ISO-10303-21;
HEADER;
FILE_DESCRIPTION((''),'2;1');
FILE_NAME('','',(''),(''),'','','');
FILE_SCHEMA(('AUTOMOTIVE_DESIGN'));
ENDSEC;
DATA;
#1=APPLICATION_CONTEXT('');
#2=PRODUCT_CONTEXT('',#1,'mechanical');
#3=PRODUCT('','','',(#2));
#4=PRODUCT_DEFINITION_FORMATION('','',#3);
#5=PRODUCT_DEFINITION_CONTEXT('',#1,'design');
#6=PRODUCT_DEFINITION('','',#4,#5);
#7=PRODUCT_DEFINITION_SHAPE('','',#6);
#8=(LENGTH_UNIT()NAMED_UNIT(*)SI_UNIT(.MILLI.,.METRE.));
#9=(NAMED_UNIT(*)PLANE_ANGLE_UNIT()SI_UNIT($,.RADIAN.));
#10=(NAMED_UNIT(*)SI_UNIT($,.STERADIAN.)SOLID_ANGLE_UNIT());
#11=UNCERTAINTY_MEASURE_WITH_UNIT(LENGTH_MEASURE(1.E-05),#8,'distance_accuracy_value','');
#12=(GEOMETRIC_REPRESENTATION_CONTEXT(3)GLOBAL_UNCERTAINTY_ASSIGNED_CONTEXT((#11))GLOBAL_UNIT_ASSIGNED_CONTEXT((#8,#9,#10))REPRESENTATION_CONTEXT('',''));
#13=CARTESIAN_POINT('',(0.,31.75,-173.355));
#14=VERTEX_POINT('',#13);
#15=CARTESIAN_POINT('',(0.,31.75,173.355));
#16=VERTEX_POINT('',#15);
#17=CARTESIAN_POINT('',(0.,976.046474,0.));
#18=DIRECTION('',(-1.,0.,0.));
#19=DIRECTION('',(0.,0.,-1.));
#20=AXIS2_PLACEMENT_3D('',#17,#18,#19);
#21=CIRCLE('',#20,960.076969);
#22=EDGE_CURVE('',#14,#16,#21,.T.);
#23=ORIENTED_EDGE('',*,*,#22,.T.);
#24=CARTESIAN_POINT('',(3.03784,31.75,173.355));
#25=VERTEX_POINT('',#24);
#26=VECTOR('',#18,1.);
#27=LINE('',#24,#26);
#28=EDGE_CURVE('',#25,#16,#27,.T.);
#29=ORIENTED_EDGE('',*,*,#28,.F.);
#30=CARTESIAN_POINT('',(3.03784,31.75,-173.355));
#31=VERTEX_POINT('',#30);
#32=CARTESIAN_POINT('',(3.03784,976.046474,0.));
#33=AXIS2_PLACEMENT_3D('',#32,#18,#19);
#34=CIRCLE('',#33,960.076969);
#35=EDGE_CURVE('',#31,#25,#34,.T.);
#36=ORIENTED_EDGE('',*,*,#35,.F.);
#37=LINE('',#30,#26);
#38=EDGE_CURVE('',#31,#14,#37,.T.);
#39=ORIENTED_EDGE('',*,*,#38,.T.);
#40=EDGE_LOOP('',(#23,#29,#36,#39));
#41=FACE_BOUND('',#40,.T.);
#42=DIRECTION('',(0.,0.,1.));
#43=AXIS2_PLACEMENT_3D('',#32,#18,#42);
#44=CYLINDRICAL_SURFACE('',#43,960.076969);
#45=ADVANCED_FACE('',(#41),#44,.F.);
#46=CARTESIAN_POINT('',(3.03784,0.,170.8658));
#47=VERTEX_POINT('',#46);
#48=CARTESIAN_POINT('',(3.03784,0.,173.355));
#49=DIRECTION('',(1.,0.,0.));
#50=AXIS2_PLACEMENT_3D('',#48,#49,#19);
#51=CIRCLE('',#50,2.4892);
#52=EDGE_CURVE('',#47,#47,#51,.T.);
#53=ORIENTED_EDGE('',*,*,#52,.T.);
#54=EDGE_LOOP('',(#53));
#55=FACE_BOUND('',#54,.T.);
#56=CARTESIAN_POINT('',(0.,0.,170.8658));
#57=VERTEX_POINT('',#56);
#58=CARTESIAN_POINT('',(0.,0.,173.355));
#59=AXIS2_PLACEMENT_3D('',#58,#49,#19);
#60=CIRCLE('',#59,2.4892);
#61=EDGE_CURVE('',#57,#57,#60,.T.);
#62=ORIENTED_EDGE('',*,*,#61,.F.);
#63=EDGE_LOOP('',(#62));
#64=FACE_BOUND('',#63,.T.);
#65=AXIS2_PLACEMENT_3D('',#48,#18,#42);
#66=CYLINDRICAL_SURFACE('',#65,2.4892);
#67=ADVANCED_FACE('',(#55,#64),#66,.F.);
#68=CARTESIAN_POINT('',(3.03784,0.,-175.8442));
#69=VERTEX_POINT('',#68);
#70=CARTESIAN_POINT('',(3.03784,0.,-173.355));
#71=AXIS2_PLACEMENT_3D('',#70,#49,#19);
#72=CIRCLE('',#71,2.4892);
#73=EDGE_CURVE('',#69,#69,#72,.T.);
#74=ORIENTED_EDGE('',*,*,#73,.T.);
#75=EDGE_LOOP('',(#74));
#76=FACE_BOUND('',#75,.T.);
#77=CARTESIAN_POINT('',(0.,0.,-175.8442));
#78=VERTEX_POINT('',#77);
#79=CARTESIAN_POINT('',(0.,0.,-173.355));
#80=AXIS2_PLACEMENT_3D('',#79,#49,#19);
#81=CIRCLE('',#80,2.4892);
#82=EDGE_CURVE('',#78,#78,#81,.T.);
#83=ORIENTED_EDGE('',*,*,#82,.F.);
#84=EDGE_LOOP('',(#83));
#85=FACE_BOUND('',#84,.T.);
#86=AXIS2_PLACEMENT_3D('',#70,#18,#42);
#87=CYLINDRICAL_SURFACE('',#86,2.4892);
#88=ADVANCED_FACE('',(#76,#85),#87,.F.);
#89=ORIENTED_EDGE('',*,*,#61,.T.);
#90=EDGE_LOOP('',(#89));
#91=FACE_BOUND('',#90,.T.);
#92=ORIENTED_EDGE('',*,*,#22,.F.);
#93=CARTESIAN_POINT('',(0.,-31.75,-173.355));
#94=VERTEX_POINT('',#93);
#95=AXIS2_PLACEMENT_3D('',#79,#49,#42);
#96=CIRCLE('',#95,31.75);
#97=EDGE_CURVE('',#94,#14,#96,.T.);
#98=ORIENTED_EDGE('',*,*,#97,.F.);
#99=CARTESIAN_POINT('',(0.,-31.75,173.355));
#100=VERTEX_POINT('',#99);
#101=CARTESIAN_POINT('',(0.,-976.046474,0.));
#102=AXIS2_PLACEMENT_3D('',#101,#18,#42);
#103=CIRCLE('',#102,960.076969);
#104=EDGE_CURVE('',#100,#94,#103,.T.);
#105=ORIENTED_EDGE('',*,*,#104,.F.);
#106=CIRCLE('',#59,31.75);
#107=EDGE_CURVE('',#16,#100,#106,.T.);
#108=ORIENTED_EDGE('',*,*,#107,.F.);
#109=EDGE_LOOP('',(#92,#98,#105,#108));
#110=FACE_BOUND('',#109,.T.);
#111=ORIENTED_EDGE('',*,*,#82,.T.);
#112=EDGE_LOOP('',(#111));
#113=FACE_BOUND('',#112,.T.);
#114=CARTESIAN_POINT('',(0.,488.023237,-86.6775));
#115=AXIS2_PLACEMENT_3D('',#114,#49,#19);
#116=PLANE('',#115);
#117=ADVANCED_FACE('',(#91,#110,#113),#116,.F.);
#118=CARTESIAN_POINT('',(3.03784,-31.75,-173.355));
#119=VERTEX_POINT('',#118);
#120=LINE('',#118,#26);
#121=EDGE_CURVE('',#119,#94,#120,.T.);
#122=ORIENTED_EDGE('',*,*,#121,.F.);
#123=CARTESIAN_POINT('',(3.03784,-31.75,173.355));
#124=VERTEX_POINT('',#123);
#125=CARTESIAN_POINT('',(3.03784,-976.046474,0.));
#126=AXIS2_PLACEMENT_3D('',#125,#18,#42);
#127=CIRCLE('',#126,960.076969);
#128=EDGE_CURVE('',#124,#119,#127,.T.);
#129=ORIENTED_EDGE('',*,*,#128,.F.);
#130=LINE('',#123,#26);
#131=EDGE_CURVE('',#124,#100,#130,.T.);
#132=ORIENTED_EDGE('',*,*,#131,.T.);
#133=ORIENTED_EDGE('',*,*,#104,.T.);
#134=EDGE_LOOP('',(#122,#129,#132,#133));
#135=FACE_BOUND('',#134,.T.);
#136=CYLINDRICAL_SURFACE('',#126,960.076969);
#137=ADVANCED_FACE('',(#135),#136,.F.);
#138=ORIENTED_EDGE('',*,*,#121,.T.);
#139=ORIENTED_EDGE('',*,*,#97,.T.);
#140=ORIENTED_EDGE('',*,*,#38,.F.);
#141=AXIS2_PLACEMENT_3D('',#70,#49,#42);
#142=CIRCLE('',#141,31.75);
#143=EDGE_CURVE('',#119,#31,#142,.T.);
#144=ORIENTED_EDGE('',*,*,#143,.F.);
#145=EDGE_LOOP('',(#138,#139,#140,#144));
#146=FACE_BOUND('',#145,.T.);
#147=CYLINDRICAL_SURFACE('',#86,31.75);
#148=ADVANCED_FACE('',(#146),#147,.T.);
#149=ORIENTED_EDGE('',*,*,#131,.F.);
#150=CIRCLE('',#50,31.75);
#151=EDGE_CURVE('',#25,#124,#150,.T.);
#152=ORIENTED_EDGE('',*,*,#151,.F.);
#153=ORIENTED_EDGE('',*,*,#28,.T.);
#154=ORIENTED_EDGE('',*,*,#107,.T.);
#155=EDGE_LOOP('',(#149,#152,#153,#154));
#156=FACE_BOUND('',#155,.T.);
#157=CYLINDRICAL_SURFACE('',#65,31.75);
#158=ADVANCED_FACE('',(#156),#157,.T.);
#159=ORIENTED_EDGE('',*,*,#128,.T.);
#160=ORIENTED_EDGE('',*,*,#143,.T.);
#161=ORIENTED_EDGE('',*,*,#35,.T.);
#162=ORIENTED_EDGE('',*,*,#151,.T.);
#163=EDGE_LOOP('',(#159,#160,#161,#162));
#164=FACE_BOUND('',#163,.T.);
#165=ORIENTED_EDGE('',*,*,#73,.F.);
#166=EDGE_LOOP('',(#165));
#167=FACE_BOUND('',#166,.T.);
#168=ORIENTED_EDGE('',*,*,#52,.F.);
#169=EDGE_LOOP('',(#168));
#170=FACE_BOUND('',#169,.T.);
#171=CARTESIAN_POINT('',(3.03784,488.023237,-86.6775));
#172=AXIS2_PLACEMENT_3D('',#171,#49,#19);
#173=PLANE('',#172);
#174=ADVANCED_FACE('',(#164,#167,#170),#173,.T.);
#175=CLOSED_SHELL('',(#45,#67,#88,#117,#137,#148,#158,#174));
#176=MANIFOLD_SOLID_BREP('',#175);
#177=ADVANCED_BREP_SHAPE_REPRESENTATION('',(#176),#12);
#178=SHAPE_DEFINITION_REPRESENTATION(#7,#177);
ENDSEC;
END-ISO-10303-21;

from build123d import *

# Parameters (mm, degrees)
SKETCH1_R           = 2.4892
BOSS_EXTRUDE1_DEPTH = 3.03784


with BuildPart() as part:
    # Sketch1 → Boss-Extrude1 (new body)
    with BuildSketch(Plane(origin=(0, 0, 0), x_dir=(0, 0, -1), z_dir=(1, 0, 0))):
        with BuildLine():
            ThreePointArc((-173.355, 31.75), (-205.105, 0), (-173.355, -31.75))
            ThreePointArc((-173.355, -31.75), (0, -15.969504771), (173.355, -31.75))
            ThreePointArc((173.355, -31.75), (205.105, 0), (173.355, 31.75))
            ThreePointArc((173.355, 31.75), (0, 15.969504771), (-173.355, 31.75))
        make_face()
        with Locations((-173.355, 0)):
            Circle(SKETCH1_R, mode=Mode.SUBTRACT)
        with Locations((173.355, 0)):
            Circle(SKETCH1_R, mode=Mode.SUBTRACT)
    extrude(amount=BOSS_EXTRUDE1_DEPTH)


solid = part.part
